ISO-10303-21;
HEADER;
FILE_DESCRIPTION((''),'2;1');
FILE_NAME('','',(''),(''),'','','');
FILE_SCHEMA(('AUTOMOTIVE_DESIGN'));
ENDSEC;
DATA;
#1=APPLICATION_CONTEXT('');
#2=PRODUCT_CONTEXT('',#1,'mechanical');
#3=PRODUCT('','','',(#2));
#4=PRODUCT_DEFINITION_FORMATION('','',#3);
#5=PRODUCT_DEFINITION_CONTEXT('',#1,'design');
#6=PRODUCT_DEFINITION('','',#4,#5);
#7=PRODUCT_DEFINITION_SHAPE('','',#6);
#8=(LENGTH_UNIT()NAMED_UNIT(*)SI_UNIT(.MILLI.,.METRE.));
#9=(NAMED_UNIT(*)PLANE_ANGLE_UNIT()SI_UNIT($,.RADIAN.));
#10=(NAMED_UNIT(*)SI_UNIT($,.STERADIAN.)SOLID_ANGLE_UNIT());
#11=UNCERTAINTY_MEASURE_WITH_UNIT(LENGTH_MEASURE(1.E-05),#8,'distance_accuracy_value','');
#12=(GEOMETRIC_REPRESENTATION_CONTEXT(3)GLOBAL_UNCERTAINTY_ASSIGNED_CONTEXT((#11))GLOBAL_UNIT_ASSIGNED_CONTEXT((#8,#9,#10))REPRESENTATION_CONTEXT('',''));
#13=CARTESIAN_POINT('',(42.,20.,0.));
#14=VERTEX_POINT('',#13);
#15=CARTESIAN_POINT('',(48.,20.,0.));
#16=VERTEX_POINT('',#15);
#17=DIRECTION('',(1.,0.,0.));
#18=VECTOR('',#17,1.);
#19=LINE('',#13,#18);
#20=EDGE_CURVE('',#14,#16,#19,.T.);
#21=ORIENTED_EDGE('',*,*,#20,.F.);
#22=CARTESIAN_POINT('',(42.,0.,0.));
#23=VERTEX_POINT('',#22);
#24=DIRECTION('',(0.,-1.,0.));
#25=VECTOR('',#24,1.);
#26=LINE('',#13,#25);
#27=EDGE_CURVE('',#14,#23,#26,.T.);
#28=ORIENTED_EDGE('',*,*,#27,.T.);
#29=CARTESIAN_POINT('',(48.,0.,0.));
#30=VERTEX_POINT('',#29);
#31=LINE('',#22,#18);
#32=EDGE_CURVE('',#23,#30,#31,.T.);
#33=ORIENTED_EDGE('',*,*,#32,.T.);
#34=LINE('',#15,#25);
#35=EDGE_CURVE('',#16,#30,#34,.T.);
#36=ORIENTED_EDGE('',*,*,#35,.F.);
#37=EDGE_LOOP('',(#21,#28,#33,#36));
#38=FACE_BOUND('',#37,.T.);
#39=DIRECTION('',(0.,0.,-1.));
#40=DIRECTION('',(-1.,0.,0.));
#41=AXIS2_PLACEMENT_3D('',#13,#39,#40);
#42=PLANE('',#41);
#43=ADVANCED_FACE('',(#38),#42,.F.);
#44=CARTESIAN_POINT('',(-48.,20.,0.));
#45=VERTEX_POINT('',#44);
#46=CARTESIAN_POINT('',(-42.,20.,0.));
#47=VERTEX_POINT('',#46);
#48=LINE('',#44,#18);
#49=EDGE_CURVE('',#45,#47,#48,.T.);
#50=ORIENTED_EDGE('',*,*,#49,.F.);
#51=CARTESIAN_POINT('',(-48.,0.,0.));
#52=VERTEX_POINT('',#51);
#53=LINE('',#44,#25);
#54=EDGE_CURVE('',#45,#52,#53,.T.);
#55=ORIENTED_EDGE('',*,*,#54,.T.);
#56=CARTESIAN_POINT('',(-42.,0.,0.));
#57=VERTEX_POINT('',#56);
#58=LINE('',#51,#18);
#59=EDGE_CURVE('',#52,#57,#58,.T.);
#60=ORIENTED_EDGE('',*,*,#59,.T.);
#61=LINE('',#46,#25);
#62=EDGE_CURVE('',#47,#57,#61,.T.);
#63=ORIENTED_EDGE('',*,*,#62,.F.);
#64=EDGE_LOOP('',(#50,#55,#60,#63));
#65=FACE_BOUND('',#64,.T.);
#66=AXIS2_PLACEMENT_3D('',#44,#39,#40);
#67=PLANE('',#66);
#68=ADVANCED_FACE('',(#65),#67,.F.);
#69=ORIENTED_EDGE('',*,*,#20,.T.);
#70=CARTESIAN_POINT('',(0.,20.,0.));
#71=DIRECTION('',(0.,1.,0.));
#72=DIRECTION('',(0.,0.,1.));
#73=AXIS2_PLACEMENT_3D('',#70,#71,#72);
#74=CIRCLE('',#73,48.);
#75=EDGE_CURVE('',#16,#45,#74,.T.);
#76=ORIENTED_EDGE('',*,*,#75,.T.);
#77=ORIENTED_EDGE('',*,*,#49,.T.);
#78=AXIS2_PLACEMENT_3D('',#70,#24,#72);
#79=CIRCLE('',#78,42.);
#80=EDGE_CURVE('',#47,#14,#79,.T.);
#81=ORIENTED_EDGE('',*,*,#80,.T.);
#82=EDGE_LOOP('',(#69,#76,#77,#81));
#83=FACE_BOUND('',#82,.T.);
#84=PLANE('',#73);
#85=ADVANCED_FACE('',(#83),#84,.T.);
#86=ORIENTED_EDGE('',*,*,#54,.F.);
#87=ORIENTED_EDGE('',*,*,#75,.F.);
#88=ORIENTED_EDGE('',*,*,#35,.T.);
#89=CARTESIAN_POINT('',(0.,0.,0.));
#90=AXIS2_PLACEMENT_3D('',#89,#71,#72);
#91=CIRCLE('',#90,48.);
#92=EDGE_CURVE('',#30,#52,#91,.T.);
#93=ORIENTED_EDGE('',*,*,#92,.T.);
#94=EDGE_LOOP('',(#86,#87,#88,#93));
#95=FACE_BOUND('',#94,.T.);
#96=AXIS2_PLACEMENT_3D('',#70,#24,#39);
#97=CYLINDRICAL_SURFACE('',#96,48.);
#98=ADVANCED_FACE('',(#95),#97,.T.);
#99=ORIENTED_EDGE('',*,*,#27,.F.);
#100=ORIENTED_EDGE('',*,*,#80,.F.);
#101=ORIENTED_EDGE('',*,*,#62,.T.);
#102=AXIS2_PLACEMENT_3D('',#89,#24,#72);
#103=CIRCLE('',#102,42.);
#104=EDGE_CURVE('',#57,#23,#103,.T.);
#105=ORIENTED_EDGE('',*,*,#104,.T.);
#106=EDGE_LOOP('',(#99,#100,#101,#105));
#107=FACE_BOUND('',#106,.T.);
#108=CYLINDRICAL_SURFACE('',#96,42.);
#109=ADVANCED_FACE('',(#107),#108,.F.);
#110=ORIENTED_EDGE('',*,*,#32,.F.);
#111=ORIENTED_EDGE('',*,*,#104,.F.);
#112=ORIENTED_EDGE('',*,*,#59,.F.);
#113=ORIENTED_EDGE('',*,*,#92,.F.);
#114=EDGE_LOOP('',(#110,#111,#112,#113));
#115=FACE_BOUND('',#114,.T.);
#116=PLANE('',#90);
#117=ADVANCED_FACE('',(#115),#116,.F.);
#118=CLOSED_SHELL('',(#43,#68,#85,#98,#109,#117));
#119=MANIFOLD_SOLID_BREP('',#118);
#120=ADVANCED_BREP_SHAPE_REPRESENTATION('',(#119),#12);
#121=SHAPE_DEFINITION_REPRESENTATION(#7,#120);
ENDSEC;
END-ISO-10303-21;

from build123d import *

# Parameters (mm, degrees)
EXTRUDE_1_DEPTH = 20


with BuildPart() as part:
    # 草图1 → 凸台-拉伸1 (new body)
    with BuildSketch(Plane(origin=(0, 0, 0), x_dir=(1, 0, 0), z_dir=(0, 1, 0))):
        with BuildLine():
            Line((42, 0), (48, 0))
            ThreePointArc((48, 0), (0, 48), (-48, 0))
            Line((-48, 0), (-42, 0))
            ThreePointArc((-42, 0), (0, 42), (42, 0))
        make_face()
    extrude(amount=EXTRUDE_1_DEPTH)


solid = part.part
